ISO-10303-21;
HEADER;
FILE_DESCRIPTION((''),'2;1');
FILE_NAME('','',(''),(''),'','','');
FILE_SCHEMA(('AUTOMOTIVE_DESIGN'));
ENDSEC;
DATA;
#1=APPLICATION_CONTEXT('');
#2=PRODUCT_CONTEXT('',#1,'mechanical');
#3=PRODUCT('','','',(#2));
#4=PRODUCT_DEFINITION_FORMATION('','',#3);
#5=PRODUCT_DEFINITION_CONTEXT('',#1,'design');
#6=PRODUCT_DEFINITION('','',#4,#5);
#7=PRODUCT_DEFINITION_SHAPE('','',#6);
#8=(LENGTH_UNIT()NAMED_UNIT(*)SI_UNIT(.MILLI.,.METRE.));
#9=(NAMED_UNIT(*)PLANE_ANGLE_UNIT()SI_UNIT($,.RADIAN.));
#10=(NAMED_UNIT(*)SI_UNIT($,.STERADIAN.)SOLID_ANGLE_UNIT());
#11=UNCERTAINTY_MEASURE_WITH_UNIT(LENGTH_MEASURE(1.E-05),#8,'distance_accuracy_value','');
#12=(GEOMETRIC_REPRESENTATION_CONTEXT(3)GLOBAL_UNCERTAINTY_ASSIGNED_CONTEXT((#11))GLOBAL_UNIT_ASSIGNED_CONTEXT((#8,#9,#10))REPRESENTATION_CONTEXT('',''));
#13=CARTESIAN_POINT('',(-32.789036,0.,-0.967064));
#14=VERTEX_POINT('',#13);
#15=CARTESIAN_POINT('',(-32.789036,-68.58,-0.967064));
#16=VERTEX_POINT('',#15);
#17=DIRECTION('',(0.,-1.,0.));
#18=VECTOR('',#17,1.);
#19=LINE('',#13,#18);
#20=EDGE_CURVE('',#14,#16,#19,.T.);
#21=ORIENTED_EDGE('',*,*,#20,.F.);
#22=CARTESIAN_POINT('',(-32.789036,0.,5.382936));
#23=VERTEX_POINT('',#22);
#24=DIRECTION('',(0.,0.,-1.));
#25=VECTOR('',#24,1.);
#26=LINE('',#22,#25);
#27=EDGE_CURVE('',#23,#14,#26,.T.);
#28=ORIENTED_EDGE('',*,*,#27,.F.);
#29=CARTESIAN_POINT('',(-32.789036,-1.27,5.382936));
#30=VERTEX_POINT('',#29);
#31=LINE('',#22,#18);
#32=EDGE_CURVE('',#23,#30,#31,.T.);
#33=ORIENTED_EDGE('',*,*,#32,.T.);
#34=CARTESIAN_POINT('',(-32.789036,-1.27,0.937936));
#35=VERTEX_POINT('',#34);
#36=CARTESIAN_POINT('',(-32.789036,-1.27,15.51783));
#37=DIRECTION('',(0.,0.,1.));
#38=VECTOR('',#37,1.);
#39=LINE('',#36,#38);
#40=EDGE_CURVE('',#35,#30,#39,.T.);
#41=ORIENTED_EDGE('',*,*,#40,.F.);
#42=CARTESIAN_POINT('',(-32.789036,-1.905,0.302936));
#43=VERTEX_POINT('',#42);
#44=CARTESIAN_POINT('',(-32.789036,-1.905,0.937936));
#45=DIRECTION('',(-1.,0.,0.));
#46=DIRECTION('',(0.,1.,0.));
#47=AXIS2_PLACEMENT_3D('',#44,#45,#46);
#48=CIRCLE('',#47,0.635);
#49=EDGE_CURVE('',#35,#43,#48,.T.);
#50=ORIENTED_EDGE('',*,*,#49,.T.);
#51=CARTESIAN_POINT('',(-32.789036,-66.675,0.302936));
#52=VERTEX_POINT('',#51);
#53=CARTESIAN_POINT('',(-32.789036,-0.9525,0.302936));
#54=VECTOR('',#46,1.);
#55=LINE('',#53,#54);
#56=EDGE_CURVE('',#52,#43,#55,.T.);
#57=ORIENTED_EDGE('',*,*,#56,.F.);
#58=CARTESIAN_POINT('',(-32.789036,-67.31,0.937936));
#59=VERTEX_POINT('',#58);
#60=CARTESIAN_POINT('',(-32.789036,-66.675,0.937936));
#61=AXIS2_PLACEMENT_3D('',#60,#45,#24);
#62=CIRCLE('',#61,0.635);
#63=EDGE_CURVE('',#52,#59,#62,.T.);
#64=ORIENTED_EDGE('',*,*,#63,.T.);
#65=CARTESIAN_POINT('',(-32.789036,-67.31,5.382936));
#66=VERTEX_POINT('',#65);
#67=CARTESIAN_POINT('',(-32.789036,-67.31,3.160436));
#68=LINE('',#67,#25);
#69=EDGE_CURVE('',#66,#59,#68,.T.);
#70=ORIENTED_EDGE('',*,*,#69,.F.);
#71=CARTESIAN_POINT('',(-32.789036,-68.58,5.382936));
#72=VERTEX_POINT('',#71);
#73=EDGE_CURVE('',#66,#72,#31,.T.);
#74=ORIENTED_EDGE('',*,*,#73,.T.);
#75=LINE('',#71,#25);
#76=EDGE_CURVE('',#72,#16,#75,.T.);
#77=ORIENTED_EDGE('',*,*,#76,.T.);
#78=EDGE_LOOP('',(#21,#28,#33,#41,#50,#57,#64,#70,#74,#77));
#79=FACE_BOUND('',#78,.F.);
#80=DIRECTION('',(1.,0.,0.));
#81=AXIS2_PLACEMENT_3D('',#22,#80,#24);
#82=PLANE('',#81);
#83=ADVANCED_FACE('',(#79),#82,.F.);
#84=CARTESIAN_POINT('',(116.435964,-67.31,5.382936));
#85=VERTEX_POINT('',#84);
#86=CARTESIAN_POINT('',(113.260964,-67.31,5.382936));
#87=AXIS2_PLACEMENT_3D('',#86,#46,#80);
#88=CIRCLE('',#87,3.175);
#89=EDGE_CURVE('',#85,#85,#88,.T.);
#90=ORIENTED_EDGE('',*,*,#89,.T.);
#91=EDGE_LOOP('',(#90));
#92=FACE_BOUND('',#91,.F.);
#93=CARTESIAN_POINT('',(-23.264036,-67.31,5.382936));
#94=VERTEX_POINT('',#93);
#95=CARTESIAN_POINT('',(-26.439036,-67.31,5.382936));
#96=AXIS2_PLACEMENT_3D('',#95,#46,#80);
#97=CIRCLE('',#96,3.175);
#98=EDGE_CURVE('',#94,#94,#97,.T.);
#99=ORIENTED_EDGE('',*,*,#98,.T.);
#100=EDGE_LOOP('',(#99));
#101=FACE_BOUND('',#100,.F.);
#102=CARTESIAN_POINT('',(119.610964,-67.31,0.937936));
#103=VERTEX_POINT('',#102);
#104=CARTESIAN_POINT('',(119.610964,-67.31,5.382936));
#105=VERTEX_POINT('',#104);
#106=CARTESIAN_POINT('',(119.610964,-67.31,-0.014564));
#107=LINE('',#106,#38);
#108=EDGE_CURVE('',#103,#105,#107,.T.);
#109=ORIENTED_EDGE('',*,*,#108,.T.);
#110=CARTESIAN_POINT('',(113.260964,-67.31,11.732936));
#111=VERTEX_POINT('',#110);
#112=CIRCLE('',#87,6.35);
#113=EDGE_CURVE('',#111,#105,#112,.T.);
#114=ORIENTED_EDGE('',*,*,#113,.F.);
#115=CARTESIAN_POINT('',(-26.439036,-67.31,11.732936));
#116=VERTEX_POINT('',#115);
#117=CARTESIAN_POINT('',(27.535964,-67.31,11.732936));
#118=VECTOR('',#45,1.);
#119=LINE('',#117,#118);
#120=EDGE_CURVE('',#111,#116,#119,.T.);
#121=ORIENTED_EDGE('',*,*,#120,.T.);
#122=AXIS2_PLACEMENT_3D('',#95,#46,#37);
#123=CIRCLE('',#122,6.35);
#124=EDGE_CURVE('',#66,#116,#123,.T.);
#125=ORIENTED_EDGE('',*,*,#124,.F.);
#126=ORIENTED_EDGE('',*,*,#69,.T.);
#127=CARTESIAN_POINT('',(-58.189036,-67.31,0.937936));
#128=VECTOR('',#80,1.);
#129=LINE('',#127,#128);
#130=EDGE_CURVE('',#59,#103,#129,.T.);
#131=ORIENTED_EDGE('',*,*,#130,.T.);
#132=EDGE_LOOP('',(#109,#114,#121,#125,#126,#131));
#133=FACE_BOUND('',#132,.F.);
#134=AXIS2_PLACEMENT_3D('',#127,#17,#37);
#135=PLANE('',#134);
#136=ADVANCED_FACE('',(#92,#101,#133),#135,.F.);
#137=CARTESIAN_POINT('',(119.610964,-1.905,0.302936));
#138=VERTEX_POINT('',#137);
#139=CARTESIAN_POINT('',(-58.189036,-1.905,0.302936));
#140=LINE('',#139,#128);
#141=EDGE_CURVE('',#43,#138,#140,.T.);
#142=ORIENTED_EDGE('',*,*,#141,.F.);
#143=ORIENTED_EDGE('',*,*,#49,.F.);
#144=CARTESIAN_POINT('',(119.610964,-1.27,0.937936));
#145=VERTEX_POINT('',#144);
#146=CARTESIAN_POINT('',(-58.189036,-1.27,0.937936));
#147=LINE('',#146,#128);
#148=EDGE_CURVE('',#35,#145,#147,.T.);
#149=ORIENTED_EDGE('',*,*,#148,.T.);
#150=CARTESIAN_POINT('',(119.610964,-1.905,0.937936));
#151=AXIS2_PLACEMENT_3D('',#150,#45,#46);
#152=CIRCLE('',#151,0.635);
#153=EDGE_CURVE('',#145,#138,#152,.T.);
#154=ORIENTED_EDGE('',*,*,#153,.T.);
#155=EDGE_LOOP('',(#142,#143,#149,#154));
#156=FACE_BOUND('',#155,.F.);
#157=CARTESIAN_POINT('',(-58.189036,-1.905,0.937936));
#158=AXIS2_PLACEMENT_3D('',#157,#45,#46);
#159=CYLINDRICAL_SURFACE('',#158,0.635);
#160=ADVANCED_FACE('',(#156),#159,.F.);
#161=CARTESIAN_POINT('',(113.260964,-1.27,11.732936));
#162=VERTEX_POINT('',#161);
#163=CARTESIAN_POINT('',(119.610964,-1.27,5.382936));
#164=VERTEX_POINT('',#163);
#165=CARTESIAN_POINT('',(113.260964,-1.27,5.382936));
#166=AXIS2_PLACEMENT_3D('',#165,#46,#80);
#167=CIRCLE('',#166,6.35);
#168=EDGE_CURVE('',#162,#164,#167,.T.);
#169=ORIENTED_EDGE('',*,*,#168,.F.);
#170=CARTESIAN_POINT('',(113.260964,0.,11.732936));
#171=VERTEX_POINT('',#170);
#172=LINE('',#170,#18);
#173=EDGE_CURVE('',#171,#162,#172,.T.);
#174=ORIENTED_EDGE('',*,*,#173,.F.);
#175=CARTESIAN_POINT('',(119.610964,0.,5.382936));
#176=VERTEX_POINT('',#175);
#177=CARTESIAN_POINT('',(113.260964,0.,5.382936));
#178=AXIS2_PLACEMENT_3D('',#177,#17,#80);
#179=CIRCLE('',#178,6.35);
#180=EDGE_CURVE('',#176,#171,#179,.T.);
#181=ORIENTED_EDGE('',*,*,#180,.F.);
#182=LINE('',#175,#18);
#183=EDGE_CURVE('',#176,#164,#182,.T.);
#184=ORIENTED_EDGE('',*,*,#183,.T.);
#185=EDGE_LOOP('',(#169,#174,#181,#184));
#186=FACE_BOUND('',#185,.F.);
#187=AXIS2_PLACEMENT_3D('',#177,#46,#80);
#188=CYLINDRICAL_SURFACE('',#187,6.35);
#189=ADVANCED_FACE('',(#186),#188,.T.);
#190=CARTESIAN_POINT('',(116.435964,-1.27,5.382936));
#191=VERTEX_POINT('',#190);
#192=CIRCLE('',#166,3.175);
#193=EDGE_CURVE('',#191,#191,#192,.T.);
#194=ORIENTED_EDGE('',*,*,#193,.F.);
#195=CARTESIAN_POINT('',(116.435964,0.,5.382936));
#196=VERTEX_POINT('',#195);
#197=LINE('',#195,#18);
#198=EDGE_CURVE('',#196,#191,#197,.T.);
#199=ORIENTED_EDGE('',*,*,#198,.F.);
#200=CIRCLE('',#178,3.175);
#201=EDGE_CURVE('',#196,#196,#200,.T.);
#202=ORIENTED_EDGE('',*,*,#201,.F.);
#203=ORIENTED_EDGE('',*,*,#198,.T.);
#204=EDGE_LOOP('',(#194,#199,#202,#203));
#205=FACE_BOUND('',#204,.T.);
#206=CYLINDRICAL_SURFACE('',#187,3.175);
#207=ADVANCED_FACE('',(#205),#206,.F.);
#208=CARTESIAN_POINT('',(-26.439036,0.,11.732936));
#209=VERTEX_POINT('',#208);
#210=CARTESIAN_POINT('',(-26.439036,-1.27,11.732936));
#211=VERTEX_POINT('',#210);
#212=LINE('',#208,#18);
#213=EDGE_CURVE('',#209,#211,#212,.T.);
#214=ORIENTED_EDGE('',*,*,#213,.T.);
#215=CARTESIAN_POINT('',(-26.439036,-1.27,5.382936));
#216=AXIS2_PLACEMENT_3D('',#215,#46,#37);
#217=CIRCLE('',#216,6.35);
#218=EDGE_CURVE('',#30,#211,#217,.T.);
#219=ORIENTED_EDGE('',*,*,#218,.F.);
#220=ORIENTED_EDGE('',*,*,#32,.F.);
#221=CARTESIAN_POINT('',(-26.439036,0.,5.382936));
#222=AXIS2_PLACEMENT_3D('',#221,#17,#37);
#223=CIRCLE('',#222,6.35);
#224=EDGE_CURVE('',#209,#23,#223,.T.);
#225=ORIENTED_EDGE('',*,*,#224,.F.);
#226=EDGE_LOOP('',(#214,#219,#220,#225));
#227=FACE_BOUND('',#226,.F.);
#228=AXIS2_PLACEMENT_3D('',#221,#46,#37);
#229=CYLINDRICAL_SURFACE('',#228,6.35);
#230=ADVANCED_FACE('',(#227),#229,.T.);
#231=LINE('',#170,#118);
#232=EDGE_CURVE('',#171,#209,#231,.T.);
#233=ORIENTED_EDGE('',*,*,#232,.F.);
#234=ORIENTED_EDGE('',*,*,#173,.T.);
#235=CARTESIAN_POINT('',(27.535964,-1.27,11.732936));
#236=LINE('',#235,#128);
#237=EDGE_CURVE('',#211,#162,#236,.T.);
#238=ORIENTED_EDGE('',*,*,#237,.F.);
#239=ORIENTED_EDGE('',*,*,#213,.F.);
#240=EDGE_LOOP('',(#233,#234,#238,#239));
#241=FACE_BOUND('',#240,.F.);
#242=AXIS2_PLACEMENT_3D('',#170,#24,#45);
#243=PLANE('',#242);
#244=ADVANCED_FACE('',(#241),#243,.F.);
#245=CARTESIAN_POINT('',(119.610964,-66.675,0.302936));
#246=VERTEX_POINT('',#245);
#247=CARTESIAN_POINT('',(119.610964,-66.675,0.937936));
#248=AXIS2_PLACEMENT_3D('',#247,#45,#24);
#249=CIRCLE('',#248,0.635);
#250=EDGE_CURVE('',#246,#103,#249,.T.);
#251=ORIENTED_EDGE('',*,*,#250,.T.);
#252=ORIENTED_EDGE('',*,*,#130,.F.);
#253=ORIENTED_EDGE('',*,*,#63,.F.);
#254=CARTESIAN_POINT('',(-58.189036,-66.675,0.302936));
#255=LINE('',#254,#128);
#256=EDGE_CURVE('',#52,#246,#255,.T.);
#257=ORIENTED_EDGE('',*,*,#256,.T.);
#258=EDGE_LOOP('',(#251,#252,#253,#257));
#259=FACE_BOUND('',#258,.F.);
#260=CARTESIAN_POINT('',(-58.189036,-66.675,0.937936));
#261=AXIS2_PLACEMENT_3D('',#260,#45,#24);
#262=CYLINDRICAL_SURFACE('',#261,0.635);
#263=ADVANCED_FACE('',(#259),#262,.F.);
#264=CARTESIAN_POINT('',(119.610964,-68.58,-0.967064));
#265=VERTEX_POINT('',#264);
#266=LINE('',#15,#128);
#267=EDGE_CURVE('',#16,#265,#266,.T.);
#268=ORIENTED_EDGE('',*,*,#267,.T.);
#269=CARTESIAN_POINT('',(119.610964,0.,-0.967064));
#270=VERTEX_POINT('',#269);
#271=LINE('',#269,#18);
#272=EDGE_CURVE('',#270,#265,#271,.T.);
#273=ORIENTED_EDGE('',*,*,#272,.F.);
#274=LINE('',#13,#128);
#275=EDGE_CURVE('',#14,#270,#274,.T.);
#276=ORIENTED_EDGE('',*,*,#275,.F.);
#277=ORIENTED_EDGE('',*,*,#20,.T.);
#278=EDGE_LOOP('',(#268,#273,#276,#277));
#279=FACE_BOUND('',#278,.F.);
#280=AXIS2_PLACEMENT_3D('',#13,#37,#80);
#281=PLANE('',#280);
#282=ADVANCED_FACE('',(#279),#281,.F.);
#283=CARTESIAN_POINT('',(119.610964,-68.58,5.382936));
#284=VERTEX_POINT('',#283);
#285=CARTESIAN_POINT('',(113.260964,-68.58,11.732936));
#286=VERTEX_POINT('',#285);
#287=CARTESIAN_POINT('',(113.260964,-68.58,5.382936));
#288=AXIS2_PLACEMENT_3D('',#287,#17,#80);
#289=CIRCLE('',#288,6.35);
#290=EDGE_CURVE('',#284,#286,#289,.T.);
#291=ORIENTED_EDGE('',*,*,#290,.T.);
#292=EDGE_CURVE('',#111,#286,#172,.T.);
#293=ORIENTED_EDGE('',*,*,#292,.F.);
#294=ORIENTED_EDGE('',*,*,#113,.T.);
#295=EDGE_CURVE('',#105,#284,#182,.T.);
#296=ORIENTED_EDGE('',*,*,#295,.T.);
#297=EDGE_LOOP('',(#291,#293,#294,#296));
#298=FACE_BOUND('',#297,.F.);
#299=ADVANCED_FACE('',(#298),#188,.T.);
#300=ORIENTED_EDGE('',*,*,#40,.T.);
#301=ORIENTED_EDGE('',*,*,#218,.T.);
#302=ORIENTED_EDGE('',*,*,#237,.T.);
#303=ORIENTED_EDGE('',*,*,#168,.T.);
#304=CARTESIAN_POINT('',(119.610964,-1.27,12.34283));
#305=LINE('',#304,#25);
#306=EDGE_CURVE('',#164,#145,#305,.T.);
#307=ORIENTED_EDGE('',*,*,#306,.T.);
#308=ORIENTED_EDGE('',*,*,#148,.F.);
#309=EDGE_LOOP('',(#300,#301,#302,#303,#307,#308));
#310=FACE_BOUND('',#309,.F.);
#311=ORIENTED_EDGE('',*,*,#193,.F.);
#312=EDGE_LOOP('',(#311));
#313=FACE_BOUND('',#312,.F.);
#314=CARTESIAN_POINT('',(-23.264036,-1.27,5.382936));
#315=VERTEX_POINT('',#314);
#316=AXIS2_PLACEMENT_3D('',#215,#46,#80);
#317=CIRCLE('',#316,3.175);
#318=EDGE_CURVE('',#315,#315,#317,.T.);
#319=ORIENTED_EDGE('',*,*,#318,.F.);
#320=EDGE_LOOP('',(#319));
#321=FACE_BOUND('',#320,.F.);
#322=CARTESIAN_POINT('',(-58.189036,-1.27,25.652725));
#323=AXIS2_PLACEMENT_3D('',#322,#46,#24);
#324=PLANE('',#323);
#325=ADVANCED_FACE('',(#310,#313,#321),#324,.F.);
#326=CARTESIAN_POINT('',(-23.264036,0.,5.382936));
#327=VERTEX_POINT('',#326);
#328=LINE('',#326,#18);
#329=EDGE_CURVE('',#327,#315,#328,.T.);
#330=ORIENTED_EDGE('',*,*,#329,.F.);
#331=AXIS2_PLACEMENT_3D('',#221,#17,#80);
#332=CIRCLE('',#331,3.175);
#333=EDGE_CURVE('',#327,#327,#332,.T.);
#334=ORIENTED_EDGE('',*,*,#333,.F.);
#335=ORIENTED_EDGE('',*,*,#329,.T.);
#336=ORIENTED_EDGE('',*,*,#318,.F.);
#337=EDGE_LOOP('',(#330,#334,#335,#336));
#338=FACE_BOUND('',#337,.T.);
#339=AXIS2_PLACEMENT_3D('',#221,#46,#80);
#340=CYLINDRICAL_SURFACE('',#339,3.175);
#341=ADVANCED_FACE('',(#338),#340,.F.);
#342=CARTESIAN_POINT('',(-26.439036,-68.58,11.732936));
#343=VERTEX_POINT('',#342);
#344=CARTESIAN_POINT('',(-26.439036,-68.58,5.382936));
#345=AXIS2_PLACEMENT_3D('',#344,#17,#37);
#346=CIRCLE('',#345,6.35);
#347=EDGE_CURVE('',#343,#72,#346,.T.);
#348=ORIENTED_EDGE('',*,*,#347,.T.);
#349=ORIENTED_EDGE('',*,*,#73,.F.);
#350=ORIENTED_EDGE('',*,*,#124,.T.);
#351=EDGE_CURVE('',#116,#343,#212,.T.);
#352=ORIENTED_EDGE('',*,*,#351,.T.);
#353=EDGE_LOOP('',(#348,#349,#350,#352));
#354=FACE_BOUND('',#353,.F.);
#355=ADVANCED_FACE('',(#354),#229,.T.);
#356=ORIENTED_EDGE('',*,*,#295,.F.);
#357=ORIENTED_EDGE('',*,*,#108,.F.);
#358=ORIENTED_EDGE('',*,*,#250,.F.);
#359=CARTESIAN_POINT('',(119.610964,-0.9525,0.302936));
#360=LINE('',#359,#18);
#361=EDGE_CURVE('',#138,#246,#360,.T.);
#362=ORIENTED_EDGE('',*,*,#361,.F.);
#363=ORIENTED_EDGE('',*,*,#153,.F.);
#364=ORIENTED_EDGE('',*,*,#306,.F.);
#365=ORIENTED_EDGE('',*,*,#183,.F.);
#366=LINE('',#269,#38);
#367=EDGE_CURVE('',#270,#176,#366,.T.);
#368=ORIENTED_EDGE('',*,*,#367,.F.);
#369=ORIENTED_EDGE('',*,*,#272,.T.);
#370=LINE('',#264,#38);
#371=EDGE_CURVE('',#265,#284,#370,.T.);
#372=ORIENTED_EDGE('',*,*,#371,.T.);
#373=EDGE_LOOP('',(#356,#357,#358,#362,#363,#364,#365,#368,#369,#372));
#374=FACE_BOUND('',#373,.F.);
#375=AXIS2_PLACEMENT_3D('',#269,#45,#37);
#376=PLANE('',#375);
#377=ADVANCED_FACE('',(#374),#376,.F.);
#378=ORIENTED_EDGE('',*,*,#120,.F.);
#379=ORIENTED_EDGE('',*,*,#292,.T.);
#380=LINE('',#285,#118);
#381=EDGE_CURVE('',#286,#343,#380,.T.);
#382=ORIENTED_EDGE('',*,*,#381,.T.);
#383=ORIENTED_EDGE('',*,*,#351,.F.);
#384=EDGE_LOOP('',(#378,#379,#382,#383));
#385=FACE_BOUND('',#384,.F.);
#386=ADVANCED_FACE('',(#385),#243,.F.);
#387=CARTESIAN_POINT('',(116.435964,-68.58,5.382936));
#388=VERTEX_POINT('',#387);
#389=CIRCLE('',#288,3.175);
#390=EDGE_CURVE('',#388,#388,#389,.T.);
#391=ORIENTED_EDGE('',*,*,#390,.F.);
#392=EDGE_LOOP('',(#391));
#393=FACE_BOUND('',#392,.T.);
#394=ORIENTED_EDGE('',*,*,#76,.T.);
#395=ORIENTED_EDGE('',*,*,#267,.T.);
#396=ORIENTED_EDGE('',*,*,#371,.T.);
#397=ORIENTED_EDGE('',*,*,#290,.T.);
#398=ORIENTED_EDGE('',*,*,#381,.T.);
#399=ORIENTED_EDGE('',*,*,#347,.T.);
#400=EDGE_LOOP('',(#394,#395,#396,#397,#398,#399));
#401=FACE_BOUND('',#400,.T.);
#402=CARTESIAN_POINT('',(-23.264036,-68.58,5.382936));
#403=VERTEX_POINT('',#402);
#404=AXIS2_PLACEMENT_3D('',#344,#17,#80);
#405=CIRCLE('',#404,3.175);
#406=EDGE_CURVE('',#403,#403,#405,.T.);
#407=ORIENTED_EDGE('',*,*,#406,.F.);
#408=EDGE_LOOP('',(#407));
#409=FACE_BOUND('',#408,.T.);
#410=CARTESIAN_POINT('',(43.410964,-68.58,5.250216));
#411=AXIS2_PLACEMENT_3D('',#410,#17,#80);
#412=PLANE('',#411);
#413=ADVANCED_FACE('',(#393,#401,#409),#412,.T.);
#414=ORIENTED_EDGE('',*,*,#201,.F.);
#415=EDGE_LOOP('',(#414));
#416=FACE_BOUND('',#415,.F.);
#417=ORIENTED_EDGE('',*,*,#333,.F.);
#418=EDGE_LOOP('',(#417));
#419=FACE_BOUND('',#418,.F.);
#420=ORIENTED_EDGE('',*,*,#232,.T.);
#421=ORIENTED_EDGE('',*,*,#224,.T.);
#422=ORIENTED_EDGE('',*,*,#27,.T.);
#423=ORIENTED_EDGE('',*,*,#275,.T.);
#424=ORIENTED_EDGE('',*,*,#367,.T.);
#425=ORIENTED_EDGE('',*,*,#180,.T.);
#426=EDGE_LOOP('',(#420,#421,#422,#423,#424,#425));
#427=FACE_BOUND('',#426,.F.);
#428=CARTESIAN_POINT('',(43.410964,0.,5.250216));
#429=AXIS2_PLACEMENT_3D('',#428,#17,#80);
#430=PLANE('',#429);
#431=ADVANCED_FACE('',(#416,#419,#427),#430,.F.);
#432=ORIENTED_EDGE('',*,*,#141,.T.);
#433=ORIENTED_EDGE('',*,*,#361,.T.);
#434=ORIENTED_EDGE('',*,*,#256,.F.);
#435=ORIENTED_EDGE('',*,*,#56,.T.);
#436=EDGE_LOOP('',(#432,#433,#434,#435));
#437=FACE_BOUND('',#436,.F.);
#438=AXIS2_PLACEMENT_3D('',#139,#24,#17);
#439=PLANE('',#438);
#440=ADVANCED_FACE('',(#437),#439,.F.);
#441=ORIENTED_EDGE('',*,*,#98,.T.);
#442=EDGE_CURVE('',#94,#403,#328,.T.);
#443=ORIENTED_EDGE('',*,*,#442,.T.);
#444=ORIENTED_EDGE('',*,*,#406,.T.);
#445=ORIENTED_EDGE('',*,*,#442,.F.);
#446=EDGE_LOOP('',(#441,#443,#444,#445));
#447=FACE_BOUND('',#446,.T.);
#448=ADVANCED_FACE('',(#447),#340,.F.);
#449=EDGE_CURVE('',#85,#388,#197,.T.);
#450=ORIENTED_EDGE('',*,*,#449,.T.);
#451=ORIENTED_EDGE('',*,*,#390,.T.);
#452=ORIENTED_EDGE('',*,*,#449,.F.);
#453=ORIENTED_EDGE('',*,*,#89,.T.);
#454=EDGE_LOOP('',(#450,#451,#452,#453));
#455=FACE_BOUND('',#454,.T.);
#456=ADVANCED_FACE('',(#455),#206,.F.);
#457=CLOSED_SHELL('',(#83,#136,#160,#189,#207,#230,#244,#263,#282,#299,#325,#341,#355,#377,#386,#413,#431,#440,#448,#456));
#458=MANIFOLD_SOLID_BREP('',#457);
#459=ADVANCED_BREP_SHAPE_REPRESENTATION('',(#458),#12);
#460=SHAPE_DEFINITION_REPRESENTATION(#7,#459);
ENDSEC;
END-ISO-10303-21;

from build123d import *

# Parameters (mm, degrees)
F0_R     = 3.175
F1_DEPTH = 68.58
F4_DEPTH = 177.801


with BuildPart() as f1:
    # F0 (on Front) → F1 (new body)
    with BuildSketch(Plane.XZ):
        with BuildLine():
            Line((113.2609637325, 11.7329357494), (-26.4390362675, 11.7329357494))
            ThreePointArc((-26.4390362675, 11.7329357494), (-30.929164328, 9.8730638099), (-32.7890362675, 5.3829357494))
            Line((-32.7890362675, 5.3829357494), (-32.7890362675, -0.9670642506))
            Line((-32.7890362675, -0.9670642506), (119.6109637325, -0.9670642506))
            Line((119.6109637325, -0.9670642506), (119.6109637325, 5.3829357494))
            ThreePointArc((119.6109637325, 5.3829357494), (117.7510917931, 9.8730638099), (113.2609637325, 11.7329357494))
        make_face()
        with Locations((-26.4390362675, 5.3829357494)):
            Circle(F0_R, mode=Mode.SUBTRACT)
        with Locations((113.2609637325, 5.3829357494)):
            Circle(F0_R, mode=Mode.SUBTRACT)
    extrude(amount=F1_DEPTH)

    # F3 (on offset) → F4 (cut, through all)
    with BuildSketch(Plane(origin=(-58.1890362675, 0, 0), x_dir=(0, -1, 0), z_dir=(-1, 0, 0))):
        with BuildLine():
            Line((67.31, 25.6527248076), (1.27, 25.6527248076))
            Line((1.27, 25.6527248076), (1.27, 0.9379357494))
            ThreePointArc((1.27, 0.9379357494), (1.4559871939, 0.4889229433), (1.905, 0.3029357494))
            Line((1.905, 0.3029357494), (66.675, 0.3029357494))
            ThreePointArc((66.675, 0.3029357494), (67.1240128061, 0.4889229433), (67.31, 0.9379357494))
            Line((67.31, 0.9379357494), (67.31, 25.6527248076))
        make_face()
    extrude(amount=-F4_DEPTH, mode=Mode.SUBTRACT)


solid = f1.part
